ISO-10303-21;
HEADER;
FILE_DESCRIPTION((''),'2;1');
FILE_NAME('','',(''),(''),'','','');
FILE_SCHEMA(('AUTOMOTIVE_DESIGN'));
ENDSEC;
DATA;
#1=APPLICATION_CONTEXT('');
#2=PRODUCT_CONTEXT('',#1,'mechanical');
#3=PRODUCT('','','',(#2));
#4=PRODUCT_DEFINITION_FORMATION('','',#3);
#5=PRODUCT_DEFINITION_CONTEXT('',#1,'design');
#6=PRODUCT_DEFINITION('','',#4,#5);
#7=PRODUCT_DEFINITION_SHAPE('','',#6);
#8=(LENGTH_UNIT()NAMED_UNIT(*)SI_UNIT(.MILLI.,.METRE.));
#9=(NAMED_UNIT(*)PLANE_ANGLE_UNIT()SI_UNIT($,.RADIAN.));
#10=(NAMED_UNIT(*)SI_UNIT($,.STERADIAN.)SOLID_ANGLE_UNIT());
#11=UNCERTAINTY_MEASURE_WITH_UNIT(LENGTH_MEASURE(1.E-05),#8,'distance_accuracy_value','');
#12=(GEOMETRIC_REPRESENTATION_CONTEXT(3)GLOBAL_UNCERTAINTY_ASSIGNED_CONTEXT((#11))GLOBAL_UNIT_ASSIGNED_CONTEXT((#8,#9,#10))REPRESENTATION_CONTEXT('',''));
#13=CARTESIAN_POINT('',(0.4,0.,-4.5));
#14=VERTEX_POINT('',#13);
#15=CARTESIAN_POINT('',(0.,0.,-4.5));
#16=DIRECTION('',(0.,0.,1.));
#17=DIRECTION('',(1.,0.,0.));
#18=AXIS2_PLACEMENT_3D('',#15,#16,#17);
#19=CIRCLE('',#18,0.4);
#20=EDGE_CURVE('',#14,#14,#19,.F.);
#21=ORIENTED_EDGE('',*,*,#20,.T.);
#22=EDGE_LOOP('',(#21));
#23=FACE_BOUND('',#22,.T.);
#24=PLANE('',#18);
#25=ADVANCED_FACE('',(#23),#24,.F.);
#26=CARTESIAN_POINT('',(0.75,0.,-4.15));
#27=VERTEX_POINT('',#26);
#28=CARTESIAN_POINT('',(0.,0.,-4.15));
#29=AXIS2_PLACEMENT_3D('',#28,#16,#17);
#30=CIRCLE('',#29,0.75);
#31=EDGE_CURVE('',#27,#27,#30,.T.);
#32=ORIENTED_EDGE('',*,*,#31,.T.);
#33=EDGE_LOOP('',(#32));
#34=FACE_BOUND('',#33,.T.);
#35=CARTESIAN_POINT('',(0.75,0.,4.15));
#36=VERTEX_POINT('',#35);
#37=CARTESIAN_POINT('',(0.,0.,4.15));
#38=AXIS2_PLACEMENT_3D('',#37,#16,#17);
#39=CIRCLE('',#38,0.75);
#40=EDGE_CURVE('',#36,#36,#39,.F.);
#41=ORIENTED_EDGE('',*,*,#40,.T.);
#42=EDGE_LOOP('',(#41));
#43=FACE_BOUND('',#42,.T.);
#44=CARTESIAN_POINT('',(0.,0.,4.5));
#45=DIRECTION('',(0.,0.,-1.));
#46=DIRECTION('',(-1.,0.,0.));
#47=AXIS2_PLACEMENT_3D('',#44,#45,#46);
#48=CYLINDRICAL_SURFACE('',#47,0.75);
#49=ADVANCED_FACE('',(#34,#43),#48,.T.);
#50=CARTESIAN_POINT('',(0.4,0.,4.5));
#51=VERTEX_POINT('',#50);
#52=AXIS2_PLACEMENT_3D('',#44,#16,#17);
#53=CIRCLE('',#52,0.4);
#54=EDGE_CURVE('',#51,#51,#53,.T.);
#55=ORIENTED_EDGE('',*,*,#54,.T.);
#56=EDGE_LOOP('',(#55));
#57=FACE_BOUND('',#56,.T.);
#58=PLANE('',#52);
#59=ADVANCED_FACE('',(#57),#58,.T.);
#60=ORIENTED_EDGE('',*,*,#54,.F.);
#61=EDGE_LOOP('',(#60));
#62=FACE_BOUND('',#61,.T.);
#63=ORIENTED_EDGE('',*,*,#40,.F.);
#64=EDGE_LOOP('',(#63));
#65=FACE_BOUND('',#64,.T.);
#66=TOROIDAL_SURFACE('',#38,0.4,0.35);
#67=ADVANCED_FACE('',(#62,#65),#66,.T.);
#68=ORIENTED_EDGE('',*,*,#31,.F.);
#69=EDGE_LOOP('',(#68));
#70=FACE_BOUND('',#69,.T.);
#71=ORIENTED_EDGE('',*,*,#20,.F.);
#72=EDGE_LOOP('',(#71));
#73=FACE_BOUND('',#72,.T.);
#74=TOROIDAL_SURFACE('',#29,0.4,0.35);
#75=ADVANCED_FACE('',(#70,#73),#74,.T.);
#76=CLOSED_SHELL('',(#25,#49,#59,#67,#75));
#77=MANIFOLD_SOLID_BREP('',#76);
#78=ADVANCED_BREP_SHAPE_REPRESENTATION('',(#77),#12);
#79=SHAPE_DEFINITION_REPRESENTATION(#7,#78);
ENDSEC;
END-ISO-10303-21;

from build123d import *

# Parameters (mm, degrees)
SKETCH1_R           = 0.75
BOSS_EXTRUDE1_DEPTH = 4.5
FILLET1_R           = 0.35


with BuildPart() as part:
    # Sketch1 → Boss-Extrude1 (new body, symmetric)
    with BuildSketch(Plane.XY):
        Circle(SKETCH1_R)
    extrude(amount=BOSS_EXTRUDE1_DEPTH, both=True)

    # Fillet1
    fillet1_edges = [part.edges().sort_by_distance(p)[0] for p in [
        (-0.75, 0, -4.5),
        (-0.75, 0, 4.5),
    ]]
    fillet(fillet1_edges, radius=FILLET1_R)


solid = part.part
